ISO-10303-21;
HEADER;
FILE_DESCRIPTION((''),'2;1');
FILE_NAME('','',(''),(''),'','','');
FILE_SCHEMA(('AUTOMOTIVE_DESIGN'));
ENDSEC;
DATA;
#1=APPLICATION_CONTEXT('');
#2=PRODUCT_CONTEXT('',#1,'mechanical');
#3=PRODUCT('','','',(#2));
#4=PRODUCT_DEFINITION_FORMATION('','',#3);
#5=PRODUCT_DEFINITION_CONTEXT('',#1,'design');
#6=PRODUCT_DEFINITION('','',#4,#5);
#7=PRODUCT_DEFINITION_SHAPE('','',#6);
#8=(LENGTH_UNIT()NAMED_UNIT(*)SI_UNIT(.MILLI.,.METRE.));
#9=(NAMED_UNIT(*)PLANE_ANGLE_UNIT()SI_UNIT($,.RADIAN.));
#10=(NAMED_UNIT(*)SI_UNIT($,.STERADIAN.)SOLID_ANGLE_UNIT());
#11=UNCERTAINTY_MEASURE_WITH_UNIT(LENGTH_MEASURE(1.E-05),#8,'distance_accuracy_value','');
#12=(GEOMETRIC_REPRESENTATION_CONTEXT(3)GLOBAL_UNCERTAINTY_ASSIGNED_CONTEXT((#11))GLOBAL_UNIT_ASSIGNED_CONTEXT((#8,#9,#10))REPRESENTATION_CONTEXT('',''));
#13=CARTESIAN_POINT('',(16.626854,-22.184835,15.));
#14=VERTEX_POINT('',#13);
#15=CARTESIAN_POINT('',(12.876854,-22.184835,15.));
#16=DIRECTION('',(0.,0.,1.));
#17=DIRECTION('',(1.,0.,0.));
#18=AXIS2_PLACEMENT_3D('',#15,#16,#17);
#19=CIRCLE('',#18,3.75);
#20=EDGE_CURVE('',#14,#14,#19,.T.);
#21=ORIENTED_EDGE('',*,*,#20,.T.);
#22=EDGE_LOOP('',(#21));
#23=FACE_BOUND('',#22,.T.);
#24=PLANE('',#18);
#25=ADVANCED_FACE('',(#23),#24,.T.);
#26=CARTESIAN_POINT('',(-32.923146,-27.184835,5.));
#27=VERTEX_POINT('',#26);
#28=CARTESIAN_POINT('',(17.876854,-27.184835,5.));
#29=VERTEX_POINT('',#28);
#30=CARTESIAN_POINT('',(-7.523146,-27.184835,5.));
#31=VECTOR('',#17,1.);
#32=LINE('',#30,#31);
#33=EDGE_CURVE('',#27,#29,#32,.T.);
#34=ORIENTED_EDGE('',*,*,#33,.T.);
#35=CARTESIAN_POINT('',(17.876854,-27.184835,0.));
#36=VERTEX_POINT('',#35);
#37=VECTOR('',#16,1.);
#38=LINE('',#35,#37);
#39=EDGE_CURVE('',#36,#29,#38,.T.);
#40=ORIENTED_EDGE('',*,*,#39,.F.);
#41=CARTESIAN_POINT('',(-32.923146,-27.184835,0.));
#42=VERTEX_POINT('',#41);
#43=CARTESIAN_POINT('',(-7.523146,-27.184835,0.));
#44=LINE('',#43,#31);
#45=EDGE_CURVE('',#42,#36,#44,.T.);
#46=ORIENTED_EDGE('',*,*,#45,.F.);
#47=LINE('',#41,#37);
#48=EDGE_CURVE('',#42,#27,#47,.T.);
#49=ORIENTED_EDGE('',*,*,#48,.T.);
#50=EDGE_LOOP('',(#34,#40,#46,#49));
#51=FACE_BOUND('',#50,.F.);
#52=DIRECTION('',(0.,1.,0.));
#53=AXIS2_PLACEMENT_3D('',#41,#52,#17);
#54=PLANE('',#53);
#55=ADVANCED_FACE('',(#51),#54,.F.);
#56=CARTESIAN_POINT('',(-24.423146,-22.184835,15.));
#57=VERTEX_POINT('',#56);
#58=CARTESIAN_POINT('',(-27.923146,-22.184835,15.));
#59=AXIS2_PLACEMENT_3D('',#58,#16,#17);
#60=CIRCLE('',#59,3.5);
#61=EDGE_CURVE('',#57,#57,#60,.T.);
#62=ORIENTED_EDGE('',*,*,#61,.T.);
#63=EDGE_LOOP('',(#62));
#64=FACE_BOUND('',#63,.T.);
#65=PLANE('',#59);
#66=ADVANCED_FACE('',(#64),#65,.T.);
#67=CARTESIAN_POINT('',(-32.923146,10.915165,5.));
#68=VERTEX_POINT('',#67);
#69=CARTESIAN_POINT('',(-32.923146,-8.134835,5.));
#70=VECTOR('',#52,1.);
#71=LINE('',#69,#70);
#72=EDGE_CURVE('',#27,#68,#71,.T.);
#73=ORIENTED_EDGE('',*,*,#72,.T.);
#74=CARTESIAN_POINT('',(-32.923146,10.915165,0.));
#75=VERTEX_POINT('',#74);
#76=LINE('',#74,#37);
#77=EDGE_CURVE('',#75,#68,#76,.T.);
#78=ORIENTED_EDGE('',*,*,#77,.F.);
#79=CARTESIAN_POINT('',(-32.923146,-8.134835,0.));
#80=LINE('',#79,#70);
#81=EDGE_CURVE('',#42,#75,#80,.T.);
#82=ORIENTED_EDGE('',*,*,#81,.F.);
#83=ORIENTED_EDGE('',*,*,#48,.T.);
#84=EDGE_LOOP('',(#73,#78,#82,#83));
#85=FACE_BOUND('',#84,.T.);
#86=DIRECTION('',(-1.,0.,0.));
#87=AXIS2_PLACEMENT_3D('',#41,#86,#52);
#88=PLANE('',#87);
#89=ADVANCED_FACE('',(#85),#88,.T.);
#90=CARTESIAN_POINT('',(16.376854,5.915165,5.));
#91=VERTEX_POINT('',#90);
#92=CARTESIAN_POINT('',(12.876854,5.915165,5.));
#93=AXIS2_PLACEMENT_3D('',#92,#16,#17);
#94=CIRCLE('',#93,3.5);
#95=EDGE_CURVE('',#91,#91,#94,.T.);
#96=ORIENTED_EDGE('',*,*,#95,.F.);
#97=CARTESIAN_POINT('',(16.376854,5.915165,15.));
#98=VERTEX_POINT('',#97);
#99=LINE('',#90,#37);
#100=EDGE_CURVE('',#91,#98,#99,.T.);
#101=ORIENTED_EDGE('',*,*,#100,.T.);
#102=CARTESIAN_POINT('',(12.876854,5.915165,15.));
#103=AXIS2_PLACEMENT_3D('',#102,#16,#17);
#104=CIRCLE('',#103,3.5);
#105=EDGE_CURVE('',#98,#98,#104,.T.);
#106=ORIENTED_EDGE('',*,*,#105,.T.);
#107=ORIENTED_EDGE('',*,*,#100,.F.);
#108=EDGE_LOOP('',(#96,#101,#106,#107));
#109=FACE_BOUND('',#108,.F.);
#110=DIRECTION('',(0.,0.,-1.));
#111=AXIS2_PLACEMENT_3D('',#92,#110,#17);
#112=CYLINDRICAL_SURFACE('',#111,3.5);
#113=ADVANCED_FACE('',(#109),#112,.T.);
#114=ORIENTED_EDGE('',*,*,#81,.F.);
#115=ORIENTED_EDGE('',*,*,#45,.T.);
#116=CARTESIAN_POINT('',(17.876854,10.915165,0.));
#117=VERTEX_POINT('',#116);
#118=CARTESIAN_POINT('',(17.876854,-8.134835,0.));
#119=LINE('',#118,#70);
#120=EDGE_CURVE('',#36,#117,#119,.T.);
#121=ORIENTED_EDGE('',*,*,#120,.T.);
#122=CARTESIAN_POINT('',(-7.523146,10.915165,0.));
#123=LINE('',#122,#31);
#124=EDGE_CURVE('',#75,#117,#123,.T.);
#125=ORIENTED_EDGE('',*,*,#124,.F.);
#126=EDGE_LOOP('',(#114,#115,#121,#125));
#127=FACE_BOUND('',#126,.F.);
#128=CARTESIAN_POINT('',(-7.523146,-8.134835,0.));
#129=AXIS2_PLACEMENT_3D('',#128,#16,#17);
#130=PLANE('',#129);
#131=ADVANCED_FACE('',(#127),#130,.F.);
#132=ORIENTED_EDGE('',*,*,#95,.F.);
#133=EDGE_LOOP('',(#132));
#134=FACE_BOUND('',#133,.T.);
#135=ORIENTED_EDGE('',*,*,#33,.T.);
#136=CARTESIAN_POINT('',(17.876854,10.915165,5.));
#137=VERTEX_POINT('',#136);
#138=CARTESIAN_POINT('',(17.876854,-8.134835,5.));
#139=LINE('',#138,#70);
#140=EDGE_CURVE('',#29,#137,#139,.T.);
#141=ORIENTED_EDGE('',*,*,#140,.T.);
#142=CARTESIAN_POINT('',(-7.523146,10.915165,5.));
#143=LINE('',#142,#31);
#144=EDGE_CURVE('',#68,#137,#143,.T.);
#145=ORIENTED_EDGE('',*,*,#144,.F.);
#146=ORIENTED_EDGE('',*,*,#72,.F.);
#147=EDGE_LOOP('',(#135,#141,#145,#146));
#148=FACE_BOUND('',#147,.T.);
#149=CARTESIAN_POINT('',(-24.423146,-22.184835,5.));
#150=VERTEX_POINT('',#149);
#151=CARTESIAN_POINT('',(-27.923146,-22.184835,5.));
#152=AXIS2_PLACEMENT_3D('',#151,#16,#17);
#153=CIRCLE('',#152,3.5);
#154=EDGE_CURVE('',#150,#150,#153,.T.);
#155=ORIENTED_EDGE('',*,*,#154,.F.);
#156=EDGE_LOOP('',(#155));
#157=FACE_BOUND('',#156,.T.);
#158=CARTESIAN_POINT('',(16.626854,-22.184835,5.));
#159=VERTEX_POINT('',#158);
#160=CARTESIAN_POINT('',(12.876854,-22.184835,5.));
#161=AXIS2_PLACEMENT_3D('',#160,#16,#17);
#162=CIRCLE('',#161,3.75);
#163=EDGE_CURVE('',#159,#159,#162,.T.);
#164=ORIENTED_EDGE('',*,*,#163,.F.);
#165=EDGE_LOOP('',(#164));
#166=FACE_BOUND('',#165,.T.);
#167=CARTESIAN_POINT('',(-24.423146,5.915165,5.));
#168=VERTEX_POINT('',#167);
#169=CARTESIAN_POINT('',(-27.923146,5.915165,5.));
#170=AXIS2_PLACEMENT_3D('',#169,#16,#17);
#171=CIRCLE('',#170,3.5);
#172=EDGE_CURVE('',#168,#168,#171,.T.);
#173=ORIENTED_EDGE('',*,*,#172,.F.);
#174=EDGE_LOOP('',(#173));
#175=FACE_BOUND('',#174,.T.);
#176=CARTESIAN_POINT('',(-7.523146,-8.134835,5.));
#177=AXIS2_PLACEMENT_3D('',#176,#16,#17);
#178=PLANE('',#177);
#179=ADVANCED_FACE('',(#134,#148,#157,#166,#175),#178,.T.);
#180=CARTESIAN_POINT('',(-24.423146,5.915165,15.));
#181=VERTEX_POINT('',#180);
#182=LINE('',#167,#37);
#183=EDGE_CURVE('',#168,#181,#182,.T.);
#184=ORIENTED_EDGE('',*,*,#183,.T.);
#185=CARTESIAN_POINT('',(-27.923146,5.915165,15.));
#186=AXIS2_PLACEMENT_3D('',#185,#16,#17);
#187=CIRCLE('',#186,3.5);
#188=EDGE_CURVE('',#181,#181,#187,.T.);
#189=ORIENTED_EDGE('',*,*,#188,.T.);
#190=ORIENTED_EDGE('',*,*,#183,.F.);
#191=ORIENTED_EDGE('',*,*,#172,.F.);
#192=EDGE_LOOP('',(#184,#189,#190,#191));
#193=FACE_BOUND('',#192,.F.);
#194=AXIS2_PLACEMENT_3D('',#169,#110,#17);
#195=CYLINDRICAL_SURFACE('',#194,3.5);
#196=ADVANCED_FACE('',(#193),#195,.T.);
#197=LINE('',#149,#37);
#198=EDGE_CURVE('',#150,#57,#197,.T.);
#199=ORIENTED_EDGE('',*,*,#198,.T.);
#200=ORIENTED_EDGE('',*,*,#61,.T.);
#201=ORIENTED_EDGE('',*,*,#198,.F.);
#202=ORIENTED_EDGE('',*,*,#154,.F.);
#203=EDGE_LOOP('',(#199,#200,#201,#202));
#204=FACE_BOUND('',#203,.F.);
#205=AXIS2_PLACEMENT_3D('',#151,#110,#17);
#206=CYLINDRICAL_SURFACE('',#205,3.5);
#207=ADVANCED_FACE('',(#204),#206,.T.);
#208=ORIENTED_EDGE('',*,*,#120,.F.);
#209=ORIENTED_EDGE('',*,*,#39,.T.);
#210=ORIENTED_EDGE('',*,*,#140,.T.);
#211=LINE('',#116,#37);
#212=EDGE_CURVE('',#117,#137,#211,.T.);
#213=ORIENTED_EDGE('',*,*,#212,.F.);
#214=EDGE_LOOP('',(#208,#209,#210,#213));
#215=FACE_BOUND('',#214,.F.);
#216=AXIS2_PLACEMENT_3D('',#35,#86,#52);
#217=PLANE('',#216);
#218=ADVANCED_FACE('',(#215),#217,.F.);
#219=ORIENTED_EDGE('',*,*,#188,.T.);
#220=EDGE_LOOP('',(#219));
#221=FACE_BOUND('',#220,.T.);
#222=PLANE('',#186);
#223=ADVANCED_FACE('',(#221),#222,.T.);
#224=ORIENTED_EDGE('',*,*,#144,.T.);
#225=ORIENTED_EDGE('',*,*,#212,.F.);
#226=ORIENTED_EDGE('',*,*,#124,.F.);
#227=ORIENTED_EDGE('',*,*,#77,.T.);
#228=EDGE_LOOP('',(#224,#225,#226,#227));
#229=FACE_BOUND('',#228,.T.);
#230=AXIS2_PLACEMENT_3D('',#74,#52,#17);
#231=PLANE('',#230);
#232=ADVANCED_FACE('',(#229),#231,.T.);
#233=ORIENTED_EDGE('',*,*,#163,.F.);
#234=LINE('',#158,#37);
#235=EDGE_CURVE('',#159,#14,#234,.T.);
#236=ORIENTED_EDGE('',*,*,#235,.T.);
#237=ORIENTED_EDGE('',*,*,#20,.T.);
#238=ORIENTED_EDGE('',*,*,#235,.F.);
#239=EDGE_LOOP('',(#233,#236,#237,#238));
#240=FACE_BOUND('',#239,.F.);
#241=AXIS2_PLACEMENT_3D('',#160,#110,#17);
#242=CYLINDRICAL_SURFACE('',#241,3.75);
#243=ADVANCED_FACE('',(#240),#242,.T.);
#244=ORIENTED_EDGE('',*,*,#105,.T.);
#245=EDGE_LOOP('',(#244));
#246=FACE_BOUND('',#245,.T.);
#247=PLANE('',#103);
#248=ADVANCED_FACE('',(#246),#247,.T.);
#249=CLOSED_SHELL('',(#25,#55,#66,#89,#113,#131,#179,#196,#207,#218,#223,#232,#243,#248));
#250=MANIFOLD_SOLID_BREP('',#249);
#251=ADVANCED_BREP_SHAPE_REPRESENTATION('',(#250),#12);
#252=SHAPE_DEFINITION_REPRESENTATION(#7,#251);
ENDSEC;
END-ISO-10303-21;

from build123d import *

# Parameters (mm, degrees)
F0_W     = 50.8
F0_H     = 38.1
F1_DEPTH = 5
F2_R     = 3.5
F2_R_2   = 3.75
F3_DEPTH = 10


with BuildPart() as f1:
    # F0 (on Top) → F1 (new body)
    with BuildSketch(Plane.XY):
        with Locations((-7.523146, -8.134835)):
            Rectangle(F0_W, F0_H)
    extrude(amount=F1_DEPTH)

    # F2 (on face) → F3 (join)
    with BuildSketch(Plane.XY.offset(5)):
        with Locations((-27.923146, -22.184835)):
            Circle(F2_R)
        with Locations((12.876854, 5.915165)):
            Circle(F2_R)
        with Locations((12.876854, -22.184835)):
            Circle(F2_R_2)
        with Locations((-27.923146, 5.915165)):
            Circle(F2_R)
    extrude(amount=F3_DEPTH)


solid = f1.part
